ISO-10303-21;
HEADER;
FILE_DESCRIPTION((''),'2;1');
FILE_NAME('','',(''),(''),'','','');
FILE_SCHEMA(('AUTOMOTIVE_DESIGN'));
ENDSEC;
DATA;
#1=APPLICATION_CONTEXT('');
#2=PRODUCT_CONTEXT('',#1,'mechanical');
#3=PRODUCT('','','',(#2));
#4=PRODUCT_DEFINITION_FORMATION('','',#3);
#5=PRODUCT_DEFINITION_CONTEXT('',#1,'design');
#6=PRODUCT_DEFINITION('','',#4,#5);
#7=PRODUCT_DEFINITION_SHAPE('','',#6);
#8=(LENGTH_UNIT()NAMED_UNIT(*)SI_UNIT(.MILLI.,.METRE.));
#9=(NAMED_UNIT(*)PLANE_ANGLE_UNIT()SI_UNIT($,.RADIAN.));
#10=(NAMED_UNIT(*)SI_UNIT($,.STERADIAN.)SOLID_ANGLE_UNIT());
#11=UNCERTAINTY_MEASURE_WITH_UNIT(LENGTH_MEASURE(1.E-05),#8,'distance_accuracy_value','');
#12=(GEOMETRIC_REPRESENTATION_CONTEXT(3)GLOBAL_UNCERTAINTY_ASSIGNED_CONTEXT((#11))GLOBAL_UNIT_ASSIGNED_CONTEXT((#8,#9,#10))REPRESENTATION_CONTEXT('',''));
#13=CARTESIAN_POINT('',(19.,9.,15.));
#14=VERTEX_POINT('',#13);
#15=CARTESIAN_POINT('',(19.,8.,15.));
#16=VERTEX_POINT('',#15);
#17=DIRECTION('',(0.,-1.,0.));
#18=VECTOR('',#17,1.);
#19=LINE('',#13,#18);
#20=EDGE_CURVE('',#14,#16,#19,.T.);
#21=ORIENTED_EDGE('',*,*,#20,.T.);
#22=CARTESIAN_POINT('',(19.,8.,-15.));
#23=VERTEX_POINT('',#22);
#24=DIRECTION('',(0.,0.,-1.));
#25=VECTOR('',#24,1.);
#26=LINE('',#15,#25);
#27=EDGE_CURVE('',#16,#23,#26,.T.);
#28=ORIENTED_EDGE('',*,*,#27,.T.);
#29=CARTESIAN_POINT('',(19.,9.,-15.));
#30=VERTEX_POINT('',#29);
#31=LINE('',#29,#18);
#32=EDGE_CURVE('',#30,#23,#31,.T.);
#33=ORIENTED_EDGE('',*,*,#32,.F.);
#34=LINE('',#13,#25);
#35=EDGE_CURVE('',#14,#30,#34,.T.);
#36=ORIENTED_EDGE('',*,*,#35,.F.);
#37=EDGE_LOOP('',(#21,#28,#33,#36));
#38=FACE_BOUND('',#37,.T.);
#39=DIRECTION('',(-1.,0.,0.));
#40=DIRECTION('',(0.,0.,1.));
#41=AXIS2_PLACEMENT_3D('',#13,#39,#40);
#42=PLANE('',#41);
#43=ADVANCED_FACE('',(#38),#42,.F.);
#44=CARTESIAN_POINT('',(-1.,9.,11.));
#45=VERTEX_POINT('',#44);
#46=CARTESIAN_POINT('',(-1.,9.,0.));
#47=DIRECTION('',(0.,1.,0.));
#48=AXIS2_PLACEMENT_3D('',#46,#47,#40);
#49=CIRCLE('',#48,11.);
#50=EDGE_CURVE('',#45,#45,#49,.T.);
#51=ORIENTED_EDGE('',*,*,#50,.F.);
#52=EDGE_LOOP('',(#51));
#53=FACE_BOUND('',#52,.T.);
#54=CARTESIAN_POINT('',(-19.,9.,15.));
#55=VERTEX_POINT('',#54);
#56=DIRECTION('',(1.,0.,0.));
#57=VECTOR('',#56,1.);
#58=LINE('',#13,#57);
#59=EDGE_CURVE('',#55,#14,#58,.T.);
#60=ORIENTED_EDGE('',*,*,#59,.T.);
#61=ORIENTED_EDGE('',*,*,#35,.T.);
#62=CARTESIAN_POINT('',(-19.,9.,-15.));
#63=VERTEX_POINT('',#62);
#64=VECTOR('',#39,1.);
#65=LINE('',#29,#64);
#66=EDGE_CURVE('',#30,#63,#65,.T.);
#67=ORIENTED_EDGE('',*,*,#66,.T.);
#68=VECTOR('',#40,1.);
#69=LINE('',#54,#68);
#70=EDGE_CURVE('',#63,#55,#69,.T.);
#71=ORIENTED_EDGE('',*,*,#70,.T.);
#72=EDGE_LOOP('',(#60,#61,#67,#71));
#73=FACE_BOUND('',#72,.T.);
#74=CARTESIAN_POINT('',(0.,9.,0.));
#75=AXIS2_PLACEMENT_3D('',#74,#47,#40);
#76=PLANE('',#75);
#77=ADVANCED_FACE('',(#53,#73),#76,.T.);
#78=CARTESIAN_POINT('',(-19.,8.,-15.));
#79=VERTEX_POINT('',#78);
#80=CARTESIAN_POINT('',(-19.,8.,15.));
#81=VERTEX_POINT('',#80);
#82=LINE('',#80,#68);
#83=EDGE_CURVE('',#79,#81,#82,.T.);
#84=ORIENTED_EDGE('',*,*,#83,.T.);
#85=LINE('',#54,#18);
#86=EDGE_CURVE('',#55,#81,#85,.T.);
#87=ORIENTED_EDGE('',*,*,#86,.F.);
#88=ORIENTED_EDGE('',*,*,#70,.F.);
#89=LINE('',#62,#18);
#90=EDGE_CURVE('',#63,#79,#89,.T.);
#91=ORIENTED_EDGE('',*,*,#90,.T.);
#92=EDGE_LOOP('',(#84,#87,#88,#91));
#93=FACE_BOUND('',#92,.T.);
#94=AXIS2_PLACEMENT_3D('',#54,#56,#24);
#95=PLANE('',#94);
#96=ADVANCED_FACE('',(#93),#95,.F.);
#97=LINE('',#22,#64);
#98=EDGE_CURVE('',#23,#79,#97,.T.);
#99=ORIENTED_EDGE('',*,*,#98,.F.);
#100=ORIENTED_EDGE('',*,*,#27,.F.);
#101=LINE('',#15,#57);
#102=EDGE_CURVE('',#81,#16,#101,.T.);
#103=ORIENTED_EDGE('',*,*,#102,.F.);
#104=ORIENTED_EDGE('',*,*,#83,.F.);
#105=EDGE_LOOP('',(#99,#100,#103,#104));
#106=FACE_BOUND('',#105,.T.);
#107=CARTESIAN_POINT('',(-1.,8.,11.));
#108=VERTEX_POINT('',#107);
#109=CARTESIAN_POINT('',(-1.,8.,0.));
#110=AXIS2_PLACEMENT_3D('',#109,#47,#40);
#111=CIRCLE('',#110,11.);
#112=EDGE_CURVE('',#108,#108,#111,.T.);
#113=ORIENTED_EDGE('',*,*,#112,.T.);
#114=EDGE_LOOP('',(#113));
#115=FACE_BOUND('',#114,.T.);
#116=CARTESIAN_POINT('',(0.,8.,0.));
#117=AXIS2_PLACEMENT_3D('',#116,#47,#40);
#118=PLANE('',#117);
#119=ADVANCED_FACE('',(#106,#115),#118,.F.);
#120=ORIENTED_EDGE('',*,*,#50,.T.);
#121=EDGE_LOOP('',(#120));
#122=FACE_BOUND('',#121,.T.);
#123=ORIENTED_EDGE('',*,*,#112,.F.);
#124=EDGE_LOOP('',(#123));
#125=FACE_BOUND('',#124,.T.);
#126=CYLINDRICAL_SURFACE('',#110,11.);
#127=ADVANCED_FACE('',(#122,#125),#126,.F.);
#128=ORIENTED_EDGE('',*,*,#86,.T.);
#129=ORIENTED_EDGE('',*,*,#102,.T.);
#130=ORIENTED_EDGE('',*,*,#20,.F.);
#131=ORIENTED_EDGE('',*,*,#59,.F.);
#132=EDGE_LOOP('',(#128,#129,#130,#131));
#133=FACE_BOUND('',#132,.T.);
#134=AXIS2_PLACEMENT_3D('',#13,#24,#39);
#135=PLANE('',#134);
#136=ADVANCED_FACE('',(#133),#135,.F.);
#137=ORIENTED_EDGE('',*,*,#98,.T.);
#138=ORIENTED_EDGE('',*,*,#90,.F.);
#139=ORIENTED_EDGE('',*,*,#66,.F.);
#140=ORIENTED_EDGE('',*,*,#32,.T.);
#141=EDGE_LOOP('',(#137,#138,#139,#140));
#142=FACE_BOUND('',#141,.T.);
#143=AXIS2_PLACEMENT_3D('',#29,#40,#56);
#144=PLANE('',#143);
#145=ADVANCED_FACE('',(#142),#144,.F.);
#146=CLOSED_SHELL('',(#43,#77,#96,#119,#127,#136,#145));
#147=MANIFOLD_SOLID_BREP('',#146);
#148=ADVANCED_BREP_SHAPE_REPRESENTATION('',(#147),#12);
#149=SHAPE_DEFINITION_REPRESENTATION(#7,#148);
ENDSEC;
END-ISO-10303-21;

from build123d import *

# Parameters (mm, degrees)
SKETCH_1_W          = 38
SKETCH_1_H          = 30
EXTRUDE_1_DEPTH     = 8
CUT_EXTRUDE_START   = 1
SKETCH_2_W          = 37
SKETCH_2_H          = 28
CUT_EXTRUDE_1_DEPTH = 7
EXTRUDE_START       = 8
SKETCH_4_W          = 38
SKETCH_4_H          = 30
EXTRUDE_3_DEPTH     = 1
CUT_EXTRUDE_START_2 = 9
SKETCH_5_R          = 11
CUT_EXTRUDE_2_DEPTH = 1
SKETCH_7_W          = 38
SKETCH_7_H          = 30
CUT_EXTRUDE_4_DEPTH = 8


with BuildPart() as part:
    # 스케치1 → 보스-돌출1 (new body)
    with BuildSketch(Plane(origin=(0, 0, 0), x_dir=(1, 0, 0), z_dir=(0, 1, 0))):
        Rectangle(SKETCH_1_W, SKETCH_1_H)
    extrude(amount=EXTRUDE_1_DEPTH)

    # 스케치2 → 컷-돌출1 (cut)
    with BuildSketch(Plane(origin=(0, 0, 0), x_dir=(1, 0, 0), z_dir=(0, 1, 0)).offset(CUT_EXTRUDE_START)):
        with Locations((0.5, 0)):
            Rectangle(SKETCH_2_W, SKETCH_2_H)
    extrude(amount=CUT_EXTRUDE_1_DEPTH, mode=Mode.SUBTRACT)

    # 스케치7 → 컷-돌출4 (cut)
    with BuildSketch(Plane.XZ):
        Rectangle(SKETCH_7_W, SKETCH_7_H)
    extrude(amount=-CUT_EXTRUDE_4_DEPTH, mode=Mode.SUBTRACT)


with BuildPart() as body_2:
    # 스케치4 → 보스-돌출3 (new body)
    with BuildSketch(Plane(origin=(0, 0, 0), x_dir=(1, 0, 0), z_dir=(0, 1, 0)).offset(EXTRUDE_START)):
        Rectangle(SKETCH_4_W, SKETCH_4_H)
    extrude(amount=EXTRUDE_3_DEPTH)

    # 스케치5 → 컷-돌출2 (cut)
    with BuildSketch(Plane(origin=(0, 0, 0), x_dir=(1, 0, 0), z_dir=(0, 1, 0)).offset(CUT_EXTRUDE_START_2)):
        with Locations(Location((-1, 0, 0), (0, 0, 270))):
            Circle(SKETCH_5_R)
    extrude(amount=-CUT_EXTRUDE_2_DEPTH, mode=Mode.SUBTRACT)


solid = body_2.part
